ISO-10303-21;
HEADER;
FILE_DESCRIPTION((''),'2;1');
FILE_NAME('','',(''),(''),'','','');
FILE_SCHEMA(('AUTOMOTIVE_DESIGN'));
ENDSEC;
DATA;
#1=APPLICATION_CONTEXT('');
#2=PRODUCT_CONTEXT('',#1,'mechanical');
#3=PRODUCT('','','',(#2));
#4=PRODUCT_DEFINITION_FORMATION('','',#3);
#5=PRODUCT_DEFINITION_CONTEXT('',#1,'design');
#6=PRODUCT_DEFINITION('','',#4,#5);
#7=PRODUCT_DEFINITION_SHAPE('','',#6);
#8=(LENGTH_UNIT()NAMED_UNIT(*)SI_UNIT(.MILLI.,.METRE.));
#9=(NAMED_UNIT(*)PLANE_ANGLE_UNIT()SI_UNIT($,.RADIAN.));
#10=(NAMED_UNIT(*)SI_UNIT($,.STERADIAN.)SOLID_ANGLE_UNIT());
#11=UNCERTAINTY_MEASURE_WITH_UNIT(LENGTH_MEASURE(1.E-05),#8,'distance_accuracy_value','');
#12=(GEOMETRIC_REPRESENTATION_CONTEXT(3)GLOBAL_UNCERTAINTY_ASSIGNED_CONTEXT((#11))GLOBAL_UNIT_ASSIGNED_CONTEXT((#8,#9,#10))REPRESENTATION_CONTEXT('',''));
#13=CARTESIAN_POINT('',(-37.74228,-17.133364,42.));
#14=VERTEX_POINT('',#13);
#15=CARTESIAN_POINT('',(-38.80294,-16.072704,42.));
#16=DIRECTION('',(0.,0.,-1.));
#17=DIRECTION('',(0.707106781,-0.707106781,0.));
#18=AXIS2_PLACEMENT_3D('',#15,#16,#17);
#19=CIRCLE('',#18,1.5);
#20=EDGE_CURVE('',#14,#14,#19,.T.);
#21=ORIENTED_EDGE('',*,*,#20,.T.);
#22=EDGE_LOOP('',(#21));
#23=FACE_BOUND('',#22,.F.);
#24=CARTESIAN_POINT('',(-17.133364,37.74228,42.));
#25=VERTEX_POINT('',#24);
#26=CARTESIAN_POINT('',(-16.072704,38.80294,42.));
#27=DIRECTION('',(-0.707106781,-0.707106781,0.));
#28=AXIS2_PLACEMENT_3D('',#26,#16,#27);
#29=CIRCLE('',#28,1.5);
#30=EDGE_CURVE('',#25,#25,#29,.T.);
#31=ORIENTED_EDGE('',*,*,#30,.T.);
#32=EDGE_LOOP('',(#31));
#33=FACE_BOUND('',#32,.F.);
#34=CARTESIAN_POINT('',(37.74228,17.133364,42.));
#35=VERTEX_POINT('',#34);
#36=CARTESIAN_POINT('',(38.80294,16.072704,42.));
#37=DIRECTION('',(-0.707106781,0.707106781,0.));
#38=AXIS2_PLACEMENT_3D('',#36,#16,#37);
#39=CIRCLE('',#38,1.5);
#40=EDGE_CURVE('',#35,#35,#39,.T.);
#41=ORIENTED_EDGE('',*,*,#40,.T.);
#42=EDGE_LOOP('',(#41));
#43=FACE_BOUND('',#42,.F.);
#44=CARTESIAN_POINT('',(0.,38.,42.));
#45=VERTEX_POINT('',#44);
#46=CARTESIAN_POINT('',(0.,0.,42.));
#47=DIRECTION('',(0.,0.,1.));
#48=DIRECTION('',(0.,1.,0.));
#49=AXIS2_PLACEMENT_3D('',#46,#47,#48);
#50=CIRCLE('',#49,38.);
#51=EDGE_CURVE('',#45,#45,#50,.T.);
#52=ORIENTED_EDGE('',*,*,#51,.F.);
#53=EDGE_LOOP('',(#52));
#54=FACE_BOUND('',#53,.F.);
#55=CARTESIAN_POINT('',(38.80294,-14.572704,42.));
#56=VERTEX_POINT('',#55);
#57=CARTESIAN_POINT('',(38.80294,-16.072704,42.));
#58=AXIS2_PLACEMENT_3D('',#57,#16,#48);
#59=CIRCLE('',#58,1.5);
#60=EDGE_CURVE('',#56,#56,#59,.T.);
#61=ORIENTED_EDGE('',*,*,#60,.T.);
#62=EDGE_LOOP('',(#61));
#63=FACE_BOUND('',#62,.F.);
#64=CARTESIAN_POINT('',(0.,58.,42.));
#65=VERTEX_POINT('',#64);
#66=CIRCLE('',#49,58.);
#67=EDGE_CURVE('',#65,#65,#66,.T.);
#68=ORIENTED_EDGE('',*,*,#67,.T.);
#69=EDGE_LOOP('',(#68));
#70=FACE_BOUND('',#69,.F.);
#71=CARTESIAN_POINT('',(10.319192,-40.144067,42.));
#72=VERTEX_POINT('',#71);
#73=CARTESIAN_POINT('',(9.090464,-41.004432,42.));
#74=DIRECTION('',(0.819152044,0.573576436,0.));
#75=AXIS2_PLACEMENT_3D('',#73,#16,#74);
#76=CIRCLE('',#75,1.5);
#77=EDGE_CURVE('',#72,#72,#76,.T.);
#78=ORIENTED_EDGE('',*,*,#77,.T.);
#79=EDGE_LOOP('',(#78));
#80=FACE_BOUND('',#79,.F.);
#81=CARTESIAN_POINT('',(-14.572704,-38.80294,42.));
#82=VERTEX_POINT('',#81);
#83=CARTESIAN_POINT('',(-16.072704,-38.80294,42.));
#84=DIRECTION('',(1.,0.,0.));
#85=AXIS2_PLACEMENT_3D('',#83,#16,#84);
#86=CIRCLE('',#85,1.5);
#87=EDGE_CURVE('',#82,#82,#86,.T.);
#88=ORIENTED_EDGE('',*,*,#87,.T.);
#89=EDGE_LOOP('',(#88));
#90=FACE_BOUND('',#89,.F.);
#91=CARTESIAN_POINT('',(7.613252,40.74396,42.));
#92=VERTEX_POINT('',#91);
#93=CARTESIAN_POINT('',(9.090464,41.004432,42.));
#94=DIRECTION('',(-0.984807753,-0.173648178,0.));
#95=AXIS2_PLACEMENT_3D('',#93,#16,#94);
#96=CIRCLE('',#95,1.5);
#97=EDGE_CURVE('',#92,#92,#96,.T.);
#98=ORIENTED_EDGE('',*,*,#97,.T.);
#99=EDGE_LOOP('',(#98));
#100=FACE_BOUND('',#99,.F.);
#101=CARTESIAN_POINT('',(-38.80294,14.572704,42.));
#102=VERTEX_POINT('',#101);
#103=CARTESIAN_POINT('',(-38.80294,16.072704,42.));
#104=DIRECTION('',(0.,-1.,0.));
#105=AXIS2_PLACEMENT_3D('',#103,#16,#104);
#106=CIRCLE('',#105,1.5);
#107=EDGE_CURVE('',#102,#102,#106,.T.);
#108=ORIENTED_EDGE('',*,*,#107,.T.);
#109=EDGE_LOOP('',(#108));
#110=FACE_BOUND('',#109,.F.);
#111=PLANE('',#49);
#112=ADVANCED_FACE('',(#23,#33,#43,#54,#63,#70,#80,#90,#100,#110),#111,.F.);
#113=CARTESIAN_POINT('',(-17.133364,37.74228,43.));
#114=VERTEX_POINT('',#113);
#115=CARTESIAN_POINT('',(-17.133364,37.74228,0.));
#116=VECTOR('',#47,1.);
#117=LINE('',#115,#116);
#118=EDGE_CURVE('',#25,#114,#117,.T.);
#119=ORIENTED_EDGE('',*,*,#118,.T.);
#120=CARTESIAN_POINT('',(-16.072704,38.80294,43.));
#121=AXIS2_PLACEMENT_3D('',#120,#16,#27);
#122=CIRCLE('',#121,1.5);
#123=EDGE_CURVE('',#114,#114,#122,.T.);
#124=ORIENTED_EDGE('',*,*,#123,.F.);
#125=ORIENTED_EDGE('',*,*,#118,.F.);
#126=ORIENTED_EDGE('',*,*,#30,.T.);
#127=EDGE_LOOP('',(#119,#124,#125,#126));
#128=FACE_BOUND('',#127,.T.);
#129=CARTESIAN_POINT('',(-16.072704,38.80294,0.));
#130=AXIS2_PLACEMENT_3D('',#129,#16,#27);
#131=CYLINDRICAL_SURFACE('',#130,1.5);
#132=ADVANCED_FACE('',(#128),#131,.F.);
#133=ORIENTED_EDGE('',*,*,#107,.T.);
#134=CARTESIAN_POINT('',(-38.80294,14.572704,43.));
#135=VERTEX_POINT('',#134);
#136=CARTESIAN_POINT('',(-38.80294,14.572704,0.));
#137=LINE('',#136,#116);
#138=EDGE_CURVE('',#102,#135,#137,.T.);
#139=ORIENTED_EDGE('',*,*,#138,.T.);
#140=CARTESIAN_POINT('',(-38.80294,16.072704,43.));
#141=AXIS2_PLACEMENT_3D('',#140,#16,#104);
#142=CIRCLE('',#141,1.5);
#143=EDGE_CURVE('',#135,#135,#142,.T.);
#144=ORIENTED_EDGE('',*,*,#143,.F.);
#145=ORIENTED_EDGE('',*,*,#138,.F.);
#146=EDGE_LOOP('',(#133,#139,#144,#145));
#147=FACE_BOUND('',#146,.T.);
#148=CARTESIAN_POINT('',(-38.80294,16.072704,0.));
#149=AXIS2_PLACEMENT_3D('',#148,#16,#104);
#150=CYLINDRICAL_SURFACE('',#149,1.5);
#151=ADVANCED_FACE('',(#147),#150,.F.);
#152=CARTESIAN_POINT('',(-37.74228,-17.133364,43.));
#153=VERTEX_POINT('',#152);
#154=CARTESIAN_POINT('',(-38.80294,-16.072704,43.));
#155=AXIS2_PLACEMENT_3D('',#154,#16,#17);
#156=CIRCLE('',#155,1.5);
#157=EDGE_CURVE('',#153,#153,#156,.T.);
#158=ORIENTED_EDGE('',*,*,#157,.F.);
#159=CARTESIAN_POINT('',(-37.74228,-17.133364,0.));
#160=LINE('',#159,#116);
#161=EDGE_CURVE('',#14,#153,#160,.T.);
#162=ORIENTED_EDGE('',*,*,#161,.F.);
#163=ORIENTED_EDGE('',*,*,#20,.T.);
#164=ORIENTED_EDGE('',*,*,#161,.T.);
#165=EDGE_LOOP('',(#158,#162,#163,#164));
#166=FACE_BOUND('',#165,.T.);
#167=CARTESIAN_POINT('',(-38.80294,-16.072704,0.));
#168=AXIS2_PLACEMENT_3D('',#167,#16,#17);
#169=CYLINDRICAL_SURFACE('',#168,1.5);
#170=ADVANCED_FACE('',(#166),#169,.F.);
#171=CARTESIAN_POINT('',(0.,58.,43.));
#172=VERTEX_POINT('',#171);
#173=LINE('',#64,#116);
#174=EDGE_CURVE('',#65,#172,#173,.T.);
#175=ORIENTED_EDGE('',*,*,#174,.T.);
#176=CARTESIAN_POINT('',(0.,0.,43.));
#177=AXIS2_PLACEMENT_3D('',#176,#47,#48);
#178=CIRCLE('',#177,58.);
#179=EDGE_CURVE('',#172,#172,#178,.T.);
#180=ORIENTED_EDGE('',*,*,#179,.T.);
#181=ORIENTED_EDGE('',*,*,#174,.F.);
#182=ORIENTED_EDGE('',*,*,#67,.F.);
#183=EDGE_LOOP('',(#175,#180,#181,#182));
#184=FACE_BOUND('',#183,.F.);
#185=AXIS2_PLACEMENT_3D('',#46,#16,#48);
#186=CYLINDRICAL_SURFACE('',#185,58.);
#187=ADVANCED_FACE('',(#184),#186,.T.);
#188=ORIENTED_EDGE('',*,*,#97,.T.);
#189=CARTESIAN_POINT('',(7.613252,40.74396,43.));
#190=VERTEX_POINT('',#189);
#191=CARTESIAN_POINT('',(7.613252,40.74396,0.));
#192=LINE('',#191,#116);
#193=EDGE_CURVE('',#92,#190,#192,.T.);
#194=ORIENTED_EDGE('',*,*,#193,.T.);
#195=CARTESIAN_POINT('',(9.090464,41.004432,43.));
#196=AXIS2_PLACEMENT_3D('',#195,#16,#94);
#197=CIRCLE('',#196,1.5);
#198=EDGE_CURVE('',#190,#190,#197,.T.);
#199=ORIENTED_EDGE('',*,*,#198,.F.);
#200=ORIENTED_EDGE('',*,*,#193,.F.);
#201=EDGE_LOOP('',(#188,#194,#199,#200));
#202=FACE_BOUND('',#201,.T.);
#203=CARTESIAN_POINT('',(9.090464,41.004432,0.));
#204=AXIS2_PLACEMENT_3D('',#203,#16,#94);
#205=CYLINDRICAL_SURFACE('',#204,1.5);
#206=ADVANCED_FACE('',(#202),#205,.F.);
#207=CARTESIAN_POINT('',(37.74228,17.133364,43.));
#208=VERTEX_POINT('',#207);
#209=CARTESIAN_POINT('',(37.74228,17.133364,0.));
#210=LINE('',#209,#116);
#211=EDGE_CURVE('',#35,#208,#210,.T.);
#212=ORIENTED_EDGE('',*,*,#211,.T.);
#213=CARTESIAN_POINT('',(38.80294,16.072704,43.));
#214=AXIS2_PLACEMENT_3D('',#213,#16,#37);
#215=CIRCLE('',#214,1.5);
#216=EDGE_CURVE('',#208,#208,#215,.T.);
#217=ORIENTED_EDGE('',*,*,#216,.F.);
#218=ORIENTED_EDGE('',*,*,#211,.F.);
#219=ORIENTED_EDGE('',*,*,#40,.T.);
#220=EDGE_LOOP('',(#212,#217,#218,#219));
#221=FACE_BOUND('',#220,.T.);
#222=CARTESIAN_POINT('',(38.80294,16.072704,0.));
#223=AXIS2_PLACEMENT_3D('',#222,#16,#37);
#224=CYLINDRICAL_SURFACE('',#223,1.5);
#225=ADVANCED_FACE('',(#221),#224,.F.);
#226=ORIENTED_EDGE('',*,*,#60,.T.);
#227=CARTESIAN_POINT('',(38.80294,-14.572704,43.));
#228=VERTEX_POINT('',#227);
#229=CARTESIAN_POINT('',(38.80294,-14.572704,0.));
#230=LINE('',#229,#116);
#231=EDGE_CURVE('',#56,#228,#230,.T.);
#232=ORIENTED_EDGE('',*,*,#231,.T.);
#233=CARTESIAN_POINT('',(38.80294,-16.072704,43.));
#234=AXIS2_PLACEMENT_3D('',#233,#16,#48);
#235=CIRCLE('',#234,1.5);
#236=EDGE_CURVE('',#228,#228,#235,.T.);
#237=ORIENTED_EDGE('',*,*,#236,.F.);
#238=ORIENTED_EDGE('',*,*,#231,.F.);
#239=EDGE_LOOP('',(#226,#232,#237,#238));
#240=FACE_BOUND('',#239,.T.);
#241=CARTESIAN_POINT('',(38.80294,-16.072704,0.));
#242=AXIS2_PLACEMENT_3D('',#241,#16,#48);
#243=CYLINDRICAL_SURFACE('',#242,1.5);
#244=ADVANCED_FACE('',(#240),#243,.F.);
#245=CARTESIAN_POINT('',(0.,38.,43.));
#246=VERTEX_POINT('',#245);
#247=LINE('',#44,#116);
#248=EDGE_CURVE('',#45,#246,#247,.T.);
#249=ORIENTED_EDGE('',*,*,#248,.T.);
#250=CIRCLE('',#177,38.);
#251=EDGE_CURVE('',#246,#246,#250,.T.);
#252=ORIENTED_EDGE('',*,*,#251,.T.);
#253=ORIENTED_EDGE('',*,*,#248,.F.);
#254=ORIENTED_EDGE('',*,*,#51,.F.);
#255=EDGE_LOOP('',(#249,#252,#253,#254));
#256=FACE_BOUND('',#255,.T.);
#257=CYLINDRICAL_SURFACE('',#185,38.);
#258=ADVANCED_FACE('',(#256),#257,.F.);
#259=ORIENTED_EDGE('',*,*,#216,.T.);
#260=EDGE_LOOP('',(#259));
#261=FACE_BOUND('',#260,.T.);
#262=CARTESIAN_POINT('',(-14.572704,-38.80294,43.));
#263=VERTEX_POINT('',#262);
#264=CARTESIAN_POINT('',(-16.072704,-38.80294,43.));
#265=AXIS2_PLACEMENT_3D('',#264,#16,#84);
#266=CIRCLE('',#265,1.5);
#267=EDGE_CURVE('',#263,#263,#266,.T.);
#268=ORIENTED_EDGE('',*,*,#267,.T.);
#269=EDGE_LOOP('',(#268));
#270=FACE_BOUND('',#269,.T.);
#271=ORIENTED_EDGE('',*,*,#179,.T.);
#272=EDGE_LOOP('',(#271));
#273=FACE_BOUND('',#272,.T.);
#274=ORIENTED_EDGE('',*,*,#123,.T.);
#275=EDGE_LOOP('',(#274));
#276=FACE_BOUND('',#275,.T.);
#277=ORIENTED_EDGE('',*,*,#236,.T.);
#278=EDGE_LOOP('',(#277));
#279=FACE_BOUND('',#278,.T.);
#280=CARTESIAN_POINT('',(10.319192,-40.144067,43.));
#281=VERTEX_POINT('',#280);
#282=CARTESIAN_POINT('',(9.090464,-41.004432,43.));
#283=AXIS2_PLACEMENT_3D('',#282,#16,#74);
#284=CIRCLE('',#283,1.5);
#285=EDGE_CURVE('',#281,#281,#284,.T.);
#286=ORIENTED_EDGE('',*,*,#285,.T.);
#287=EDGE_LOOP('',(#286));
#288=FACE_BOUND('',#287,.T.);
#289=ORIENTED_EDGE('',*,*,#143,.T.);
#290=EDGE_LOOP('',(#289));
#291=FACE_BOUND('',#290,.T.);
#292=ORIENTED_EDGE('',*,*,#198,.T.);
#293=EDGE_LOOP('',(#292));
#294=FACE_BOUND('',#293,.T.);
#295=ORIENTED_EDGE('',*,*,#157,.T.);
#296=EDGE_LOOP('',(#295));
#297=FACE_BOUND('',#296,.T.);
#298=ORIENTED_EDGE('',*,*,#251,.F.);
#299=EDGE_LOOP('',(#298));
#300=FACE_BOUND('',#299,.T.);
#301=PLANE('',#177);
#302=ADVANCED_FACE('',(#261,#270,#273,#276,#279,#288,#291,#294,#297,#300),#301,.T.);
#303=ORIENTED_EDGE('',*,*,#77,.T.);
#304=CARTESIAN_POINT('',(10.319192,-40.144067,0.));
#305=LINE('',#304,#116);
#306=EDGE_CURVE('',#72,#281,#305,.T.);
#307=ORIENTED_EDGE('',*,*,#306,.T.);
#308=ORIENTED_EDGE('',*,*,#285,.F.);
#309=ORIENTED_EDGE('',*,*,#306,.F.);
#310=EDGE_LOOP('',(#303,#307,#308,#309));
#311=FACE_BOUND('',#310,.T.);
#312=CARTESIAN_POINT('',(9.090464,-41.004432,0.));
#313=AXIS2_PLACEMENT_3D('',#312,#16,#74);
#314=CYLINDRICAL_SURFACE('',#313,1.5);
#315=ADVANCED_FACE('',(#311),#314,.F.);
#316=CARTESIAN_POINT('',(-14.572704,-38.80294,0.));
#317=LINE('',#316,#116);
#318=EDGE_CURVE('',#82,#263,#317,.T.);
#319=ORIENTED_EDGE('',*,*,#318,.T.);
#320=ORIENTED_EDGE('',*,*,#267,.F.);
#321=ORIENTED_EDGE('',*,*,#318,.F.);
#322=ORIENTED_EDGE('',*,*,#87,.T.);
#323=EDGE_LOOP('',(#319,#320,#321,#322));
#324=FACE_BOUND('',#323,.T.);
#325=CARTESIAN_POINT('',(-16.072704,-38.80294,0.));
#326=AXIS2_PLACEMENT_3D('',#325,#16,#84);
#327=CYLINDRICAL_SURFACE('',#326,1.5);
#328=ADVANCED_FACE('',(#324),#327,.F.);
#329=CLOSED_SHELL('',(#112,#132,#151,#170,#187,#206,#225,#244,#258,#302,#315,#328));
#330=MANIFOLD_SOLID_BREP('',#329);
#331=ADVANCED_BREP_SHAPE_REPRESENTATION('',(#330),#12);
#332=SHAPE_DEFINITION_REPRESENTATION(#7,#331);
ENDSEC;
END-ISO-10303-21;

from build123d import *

# Parameters (mm, degrees)
CYLINDER757_R               = 1.5
CYLINDER757_DEPTH           = 100
CYLINDER757_PLACEMENT_ANGLE = 100
CYLINDER755_R               = 1.5
CYLINDER755_DEPTH           = 100
CYLINDER755_PLACEMENT_ANGLE = 135
CYLINDER759_R               = 1.5
CYLINDER759_DEPTH           = 100
CYLINDER761_R               = 1.5
CYLINDER761_DEPTH           = 100
CYLINDER761_PLACEMENT_ANGLE = 225
CYLINDER754_R               = 1.5
CYLINDER754_DEPTH           = 100
CYLINDER758_R               = 1.5
CYLINDER758_DEPTH           = 100
CYLINDER758_PLACEMENT_ANGLE = 55
CYLINDER756_R               = 1.5
CYLINDER756_DEPTH           = 100
CYLINDER760_R               = 1.5
CYLINDER760_DEPTH           = 100
CYLINDER760_PLACEMENT_ANGLE = 45
TUBE079_R                   = 58
TUBE079_R_2                 = 38
TUBE079_DEPTH               = 1
CUT325_PLACEMENT_ANGLE      = 90


with BuildPart() as v_lec757:
    # Cylinder757 → Cylinder757 (new body)
    with BuildSketch(Plane.XY):
        Circle(CYLINDER757_R)
    extrude(amount=CYLINDER757_DEPTH)


with BuildPart() as v_lec757_1:
    # Cylinder757 placement: moved
    add(v_lec757.part.moved(Location((41.004432, -9.090464, 0))).rotate(Axis((41.004432, -9.090464, 0), (0, 0, 1)), CYLINDER757_PLACEMENT_ANGLE))


with BuildPart() as v_lec755:
    # Cylinder755 → Cylinder755 (new body)
    with BuildSketch(Plane.XY):
        Circle(CYLINDER755_R)
    extrude(amount=CYLINDER755_DEPTH)


with BuildPart() as v_lec755_1:
    # Cylinder755 placement: moved
    add(v_lec755.part.moved(Location((38.80294, 16.072704, 0))).rotate(Axis((38.80294, 16.072704, 0), (0, 0, 1)), CYLINDER755_PLACEMENT_ANGLE))


with BuildPart() as v_lec759:
    # Cylinder759 → Cylinder759 (new body)
    with BuildSketch(Plane(origin=(16.072704, 38.80294, 0), x_dir=(-1, 0, 0), z_dir=(0, 0, 1))):
        Circle(CYLINDER759_R)
    extrude(amount=CYLINDER759_DEPTH)


with BuildPart() as v_lec761:
    # Cylinder761 → Cylinder761 (new body)
    with BuildSketch(Plane.XY):
        Circle(CYLINDER761_R)
    extrude(amount=CYLINDER761_DEPTH)


with BuildPart() as v_lec761_1:
    # Cylinder761 placement: moved
    add(v_lec761.part.moved(Location((-16.072704, 38.80294, 0))).rotate(Axis((-16.072704, 38.80294, 0), (0, 0, 1)), CYLINDER761_PLACEMENT_ANGLE))


with BuildPart() as v_lec754:
    # Cylinder754 → Cylinder754 (new body)
    with BuildSketch(Plane(origin=(-38.80294, 16.072704, 0), x_dir=(0, -1, 0), z_dir=(0, 0, 1))):
        Circle(CYLINDER754_R)
    extrude(amount=CYLINDER754_DEPTH)


with BuildPart() as v_lec758:
    # Cylinder758 → Cylinder758 (new body)
    with BuildSketch(Plane.XY):
        Circle(CYLINDER758_R)
    extrude(amount=CYLINDER758_DEPTH)


with BuildPart() as v_lec758_1:
    # Cylinder758 placement: moved
    add(v_lec758.part.moved(Location((-41.004432, -9.090464, 0))).rotate(Axis((-41.004432, -9.090464, 0), (0, 0, -1)), CYLINDER758_PLACEMENT_ANGLE))


with BuildPart() as v_lec756:
    # Cylinder756 → Cylinder756 (new body)
    with BuildSketch(Plane(origin=(-16.072704, -38.80294, 0), x_dir=(1, 0, 0), z_dir=(0, 0, 1))):
        Circle(CYLINDER756_R)
    extrude(amount=CYLINDER756_DEPTH)


with BuildPart() as compound709:
    # Cylinder760 → Cylinder760 (new body)
    with BuildSketch(Plane.XY):
        Circle(CYLINDER760_R)
    extrude(amount=CYLINDER760_DEPTH)


with BuildPart() as compound709_1:
    # Cylinder760 placement: moved
    add(compound709.part.moved(Location((16.072704, -38.80294, 0))).rotate(Axis((16.072704, -38.80294, 0), (0, 0, 1)), CYLINDER760_PLACEMENT_ANGLE))

    # Compound709: union Válec757, Válec755, Válec759, Válec761, Válec754, Válec758, Válec756
    add(v_lec757_1.part)
    add(v_lec755_1.part)
    add(v_lec759.part)
    add(v_lec761_1.part)
    add(v_lec754.part)
    add(v_lec758_1.part)
    add(v_lec756.part)


with BuildPart() as bazovina_part_f_washer001:
    # Tube079 → Tube079 (new body)
    with BuildSketch(Plane.XY.offset(42)):
        Circle(TUBE079_R)
        Circle(TUBE079_R_2, mode=Mode.SUBTRACT)
    extrude(amount=TUBE079_DEPTH)

    # Cut325: cut Compound709
    add(compound709_1.part, mode=Mode.SUBTRACT)


with BuildPart() as bazovina_part_f_washer001_1:
    # Cut325 placement: moved
    add(bazovina_part_f_washer001.part.rotate(Axis((0, 0, 0), (0, 0, 1)), CUT325_PLACEMENT_ANGLE))


solid = bazovina_part_f_washer001_1.part
